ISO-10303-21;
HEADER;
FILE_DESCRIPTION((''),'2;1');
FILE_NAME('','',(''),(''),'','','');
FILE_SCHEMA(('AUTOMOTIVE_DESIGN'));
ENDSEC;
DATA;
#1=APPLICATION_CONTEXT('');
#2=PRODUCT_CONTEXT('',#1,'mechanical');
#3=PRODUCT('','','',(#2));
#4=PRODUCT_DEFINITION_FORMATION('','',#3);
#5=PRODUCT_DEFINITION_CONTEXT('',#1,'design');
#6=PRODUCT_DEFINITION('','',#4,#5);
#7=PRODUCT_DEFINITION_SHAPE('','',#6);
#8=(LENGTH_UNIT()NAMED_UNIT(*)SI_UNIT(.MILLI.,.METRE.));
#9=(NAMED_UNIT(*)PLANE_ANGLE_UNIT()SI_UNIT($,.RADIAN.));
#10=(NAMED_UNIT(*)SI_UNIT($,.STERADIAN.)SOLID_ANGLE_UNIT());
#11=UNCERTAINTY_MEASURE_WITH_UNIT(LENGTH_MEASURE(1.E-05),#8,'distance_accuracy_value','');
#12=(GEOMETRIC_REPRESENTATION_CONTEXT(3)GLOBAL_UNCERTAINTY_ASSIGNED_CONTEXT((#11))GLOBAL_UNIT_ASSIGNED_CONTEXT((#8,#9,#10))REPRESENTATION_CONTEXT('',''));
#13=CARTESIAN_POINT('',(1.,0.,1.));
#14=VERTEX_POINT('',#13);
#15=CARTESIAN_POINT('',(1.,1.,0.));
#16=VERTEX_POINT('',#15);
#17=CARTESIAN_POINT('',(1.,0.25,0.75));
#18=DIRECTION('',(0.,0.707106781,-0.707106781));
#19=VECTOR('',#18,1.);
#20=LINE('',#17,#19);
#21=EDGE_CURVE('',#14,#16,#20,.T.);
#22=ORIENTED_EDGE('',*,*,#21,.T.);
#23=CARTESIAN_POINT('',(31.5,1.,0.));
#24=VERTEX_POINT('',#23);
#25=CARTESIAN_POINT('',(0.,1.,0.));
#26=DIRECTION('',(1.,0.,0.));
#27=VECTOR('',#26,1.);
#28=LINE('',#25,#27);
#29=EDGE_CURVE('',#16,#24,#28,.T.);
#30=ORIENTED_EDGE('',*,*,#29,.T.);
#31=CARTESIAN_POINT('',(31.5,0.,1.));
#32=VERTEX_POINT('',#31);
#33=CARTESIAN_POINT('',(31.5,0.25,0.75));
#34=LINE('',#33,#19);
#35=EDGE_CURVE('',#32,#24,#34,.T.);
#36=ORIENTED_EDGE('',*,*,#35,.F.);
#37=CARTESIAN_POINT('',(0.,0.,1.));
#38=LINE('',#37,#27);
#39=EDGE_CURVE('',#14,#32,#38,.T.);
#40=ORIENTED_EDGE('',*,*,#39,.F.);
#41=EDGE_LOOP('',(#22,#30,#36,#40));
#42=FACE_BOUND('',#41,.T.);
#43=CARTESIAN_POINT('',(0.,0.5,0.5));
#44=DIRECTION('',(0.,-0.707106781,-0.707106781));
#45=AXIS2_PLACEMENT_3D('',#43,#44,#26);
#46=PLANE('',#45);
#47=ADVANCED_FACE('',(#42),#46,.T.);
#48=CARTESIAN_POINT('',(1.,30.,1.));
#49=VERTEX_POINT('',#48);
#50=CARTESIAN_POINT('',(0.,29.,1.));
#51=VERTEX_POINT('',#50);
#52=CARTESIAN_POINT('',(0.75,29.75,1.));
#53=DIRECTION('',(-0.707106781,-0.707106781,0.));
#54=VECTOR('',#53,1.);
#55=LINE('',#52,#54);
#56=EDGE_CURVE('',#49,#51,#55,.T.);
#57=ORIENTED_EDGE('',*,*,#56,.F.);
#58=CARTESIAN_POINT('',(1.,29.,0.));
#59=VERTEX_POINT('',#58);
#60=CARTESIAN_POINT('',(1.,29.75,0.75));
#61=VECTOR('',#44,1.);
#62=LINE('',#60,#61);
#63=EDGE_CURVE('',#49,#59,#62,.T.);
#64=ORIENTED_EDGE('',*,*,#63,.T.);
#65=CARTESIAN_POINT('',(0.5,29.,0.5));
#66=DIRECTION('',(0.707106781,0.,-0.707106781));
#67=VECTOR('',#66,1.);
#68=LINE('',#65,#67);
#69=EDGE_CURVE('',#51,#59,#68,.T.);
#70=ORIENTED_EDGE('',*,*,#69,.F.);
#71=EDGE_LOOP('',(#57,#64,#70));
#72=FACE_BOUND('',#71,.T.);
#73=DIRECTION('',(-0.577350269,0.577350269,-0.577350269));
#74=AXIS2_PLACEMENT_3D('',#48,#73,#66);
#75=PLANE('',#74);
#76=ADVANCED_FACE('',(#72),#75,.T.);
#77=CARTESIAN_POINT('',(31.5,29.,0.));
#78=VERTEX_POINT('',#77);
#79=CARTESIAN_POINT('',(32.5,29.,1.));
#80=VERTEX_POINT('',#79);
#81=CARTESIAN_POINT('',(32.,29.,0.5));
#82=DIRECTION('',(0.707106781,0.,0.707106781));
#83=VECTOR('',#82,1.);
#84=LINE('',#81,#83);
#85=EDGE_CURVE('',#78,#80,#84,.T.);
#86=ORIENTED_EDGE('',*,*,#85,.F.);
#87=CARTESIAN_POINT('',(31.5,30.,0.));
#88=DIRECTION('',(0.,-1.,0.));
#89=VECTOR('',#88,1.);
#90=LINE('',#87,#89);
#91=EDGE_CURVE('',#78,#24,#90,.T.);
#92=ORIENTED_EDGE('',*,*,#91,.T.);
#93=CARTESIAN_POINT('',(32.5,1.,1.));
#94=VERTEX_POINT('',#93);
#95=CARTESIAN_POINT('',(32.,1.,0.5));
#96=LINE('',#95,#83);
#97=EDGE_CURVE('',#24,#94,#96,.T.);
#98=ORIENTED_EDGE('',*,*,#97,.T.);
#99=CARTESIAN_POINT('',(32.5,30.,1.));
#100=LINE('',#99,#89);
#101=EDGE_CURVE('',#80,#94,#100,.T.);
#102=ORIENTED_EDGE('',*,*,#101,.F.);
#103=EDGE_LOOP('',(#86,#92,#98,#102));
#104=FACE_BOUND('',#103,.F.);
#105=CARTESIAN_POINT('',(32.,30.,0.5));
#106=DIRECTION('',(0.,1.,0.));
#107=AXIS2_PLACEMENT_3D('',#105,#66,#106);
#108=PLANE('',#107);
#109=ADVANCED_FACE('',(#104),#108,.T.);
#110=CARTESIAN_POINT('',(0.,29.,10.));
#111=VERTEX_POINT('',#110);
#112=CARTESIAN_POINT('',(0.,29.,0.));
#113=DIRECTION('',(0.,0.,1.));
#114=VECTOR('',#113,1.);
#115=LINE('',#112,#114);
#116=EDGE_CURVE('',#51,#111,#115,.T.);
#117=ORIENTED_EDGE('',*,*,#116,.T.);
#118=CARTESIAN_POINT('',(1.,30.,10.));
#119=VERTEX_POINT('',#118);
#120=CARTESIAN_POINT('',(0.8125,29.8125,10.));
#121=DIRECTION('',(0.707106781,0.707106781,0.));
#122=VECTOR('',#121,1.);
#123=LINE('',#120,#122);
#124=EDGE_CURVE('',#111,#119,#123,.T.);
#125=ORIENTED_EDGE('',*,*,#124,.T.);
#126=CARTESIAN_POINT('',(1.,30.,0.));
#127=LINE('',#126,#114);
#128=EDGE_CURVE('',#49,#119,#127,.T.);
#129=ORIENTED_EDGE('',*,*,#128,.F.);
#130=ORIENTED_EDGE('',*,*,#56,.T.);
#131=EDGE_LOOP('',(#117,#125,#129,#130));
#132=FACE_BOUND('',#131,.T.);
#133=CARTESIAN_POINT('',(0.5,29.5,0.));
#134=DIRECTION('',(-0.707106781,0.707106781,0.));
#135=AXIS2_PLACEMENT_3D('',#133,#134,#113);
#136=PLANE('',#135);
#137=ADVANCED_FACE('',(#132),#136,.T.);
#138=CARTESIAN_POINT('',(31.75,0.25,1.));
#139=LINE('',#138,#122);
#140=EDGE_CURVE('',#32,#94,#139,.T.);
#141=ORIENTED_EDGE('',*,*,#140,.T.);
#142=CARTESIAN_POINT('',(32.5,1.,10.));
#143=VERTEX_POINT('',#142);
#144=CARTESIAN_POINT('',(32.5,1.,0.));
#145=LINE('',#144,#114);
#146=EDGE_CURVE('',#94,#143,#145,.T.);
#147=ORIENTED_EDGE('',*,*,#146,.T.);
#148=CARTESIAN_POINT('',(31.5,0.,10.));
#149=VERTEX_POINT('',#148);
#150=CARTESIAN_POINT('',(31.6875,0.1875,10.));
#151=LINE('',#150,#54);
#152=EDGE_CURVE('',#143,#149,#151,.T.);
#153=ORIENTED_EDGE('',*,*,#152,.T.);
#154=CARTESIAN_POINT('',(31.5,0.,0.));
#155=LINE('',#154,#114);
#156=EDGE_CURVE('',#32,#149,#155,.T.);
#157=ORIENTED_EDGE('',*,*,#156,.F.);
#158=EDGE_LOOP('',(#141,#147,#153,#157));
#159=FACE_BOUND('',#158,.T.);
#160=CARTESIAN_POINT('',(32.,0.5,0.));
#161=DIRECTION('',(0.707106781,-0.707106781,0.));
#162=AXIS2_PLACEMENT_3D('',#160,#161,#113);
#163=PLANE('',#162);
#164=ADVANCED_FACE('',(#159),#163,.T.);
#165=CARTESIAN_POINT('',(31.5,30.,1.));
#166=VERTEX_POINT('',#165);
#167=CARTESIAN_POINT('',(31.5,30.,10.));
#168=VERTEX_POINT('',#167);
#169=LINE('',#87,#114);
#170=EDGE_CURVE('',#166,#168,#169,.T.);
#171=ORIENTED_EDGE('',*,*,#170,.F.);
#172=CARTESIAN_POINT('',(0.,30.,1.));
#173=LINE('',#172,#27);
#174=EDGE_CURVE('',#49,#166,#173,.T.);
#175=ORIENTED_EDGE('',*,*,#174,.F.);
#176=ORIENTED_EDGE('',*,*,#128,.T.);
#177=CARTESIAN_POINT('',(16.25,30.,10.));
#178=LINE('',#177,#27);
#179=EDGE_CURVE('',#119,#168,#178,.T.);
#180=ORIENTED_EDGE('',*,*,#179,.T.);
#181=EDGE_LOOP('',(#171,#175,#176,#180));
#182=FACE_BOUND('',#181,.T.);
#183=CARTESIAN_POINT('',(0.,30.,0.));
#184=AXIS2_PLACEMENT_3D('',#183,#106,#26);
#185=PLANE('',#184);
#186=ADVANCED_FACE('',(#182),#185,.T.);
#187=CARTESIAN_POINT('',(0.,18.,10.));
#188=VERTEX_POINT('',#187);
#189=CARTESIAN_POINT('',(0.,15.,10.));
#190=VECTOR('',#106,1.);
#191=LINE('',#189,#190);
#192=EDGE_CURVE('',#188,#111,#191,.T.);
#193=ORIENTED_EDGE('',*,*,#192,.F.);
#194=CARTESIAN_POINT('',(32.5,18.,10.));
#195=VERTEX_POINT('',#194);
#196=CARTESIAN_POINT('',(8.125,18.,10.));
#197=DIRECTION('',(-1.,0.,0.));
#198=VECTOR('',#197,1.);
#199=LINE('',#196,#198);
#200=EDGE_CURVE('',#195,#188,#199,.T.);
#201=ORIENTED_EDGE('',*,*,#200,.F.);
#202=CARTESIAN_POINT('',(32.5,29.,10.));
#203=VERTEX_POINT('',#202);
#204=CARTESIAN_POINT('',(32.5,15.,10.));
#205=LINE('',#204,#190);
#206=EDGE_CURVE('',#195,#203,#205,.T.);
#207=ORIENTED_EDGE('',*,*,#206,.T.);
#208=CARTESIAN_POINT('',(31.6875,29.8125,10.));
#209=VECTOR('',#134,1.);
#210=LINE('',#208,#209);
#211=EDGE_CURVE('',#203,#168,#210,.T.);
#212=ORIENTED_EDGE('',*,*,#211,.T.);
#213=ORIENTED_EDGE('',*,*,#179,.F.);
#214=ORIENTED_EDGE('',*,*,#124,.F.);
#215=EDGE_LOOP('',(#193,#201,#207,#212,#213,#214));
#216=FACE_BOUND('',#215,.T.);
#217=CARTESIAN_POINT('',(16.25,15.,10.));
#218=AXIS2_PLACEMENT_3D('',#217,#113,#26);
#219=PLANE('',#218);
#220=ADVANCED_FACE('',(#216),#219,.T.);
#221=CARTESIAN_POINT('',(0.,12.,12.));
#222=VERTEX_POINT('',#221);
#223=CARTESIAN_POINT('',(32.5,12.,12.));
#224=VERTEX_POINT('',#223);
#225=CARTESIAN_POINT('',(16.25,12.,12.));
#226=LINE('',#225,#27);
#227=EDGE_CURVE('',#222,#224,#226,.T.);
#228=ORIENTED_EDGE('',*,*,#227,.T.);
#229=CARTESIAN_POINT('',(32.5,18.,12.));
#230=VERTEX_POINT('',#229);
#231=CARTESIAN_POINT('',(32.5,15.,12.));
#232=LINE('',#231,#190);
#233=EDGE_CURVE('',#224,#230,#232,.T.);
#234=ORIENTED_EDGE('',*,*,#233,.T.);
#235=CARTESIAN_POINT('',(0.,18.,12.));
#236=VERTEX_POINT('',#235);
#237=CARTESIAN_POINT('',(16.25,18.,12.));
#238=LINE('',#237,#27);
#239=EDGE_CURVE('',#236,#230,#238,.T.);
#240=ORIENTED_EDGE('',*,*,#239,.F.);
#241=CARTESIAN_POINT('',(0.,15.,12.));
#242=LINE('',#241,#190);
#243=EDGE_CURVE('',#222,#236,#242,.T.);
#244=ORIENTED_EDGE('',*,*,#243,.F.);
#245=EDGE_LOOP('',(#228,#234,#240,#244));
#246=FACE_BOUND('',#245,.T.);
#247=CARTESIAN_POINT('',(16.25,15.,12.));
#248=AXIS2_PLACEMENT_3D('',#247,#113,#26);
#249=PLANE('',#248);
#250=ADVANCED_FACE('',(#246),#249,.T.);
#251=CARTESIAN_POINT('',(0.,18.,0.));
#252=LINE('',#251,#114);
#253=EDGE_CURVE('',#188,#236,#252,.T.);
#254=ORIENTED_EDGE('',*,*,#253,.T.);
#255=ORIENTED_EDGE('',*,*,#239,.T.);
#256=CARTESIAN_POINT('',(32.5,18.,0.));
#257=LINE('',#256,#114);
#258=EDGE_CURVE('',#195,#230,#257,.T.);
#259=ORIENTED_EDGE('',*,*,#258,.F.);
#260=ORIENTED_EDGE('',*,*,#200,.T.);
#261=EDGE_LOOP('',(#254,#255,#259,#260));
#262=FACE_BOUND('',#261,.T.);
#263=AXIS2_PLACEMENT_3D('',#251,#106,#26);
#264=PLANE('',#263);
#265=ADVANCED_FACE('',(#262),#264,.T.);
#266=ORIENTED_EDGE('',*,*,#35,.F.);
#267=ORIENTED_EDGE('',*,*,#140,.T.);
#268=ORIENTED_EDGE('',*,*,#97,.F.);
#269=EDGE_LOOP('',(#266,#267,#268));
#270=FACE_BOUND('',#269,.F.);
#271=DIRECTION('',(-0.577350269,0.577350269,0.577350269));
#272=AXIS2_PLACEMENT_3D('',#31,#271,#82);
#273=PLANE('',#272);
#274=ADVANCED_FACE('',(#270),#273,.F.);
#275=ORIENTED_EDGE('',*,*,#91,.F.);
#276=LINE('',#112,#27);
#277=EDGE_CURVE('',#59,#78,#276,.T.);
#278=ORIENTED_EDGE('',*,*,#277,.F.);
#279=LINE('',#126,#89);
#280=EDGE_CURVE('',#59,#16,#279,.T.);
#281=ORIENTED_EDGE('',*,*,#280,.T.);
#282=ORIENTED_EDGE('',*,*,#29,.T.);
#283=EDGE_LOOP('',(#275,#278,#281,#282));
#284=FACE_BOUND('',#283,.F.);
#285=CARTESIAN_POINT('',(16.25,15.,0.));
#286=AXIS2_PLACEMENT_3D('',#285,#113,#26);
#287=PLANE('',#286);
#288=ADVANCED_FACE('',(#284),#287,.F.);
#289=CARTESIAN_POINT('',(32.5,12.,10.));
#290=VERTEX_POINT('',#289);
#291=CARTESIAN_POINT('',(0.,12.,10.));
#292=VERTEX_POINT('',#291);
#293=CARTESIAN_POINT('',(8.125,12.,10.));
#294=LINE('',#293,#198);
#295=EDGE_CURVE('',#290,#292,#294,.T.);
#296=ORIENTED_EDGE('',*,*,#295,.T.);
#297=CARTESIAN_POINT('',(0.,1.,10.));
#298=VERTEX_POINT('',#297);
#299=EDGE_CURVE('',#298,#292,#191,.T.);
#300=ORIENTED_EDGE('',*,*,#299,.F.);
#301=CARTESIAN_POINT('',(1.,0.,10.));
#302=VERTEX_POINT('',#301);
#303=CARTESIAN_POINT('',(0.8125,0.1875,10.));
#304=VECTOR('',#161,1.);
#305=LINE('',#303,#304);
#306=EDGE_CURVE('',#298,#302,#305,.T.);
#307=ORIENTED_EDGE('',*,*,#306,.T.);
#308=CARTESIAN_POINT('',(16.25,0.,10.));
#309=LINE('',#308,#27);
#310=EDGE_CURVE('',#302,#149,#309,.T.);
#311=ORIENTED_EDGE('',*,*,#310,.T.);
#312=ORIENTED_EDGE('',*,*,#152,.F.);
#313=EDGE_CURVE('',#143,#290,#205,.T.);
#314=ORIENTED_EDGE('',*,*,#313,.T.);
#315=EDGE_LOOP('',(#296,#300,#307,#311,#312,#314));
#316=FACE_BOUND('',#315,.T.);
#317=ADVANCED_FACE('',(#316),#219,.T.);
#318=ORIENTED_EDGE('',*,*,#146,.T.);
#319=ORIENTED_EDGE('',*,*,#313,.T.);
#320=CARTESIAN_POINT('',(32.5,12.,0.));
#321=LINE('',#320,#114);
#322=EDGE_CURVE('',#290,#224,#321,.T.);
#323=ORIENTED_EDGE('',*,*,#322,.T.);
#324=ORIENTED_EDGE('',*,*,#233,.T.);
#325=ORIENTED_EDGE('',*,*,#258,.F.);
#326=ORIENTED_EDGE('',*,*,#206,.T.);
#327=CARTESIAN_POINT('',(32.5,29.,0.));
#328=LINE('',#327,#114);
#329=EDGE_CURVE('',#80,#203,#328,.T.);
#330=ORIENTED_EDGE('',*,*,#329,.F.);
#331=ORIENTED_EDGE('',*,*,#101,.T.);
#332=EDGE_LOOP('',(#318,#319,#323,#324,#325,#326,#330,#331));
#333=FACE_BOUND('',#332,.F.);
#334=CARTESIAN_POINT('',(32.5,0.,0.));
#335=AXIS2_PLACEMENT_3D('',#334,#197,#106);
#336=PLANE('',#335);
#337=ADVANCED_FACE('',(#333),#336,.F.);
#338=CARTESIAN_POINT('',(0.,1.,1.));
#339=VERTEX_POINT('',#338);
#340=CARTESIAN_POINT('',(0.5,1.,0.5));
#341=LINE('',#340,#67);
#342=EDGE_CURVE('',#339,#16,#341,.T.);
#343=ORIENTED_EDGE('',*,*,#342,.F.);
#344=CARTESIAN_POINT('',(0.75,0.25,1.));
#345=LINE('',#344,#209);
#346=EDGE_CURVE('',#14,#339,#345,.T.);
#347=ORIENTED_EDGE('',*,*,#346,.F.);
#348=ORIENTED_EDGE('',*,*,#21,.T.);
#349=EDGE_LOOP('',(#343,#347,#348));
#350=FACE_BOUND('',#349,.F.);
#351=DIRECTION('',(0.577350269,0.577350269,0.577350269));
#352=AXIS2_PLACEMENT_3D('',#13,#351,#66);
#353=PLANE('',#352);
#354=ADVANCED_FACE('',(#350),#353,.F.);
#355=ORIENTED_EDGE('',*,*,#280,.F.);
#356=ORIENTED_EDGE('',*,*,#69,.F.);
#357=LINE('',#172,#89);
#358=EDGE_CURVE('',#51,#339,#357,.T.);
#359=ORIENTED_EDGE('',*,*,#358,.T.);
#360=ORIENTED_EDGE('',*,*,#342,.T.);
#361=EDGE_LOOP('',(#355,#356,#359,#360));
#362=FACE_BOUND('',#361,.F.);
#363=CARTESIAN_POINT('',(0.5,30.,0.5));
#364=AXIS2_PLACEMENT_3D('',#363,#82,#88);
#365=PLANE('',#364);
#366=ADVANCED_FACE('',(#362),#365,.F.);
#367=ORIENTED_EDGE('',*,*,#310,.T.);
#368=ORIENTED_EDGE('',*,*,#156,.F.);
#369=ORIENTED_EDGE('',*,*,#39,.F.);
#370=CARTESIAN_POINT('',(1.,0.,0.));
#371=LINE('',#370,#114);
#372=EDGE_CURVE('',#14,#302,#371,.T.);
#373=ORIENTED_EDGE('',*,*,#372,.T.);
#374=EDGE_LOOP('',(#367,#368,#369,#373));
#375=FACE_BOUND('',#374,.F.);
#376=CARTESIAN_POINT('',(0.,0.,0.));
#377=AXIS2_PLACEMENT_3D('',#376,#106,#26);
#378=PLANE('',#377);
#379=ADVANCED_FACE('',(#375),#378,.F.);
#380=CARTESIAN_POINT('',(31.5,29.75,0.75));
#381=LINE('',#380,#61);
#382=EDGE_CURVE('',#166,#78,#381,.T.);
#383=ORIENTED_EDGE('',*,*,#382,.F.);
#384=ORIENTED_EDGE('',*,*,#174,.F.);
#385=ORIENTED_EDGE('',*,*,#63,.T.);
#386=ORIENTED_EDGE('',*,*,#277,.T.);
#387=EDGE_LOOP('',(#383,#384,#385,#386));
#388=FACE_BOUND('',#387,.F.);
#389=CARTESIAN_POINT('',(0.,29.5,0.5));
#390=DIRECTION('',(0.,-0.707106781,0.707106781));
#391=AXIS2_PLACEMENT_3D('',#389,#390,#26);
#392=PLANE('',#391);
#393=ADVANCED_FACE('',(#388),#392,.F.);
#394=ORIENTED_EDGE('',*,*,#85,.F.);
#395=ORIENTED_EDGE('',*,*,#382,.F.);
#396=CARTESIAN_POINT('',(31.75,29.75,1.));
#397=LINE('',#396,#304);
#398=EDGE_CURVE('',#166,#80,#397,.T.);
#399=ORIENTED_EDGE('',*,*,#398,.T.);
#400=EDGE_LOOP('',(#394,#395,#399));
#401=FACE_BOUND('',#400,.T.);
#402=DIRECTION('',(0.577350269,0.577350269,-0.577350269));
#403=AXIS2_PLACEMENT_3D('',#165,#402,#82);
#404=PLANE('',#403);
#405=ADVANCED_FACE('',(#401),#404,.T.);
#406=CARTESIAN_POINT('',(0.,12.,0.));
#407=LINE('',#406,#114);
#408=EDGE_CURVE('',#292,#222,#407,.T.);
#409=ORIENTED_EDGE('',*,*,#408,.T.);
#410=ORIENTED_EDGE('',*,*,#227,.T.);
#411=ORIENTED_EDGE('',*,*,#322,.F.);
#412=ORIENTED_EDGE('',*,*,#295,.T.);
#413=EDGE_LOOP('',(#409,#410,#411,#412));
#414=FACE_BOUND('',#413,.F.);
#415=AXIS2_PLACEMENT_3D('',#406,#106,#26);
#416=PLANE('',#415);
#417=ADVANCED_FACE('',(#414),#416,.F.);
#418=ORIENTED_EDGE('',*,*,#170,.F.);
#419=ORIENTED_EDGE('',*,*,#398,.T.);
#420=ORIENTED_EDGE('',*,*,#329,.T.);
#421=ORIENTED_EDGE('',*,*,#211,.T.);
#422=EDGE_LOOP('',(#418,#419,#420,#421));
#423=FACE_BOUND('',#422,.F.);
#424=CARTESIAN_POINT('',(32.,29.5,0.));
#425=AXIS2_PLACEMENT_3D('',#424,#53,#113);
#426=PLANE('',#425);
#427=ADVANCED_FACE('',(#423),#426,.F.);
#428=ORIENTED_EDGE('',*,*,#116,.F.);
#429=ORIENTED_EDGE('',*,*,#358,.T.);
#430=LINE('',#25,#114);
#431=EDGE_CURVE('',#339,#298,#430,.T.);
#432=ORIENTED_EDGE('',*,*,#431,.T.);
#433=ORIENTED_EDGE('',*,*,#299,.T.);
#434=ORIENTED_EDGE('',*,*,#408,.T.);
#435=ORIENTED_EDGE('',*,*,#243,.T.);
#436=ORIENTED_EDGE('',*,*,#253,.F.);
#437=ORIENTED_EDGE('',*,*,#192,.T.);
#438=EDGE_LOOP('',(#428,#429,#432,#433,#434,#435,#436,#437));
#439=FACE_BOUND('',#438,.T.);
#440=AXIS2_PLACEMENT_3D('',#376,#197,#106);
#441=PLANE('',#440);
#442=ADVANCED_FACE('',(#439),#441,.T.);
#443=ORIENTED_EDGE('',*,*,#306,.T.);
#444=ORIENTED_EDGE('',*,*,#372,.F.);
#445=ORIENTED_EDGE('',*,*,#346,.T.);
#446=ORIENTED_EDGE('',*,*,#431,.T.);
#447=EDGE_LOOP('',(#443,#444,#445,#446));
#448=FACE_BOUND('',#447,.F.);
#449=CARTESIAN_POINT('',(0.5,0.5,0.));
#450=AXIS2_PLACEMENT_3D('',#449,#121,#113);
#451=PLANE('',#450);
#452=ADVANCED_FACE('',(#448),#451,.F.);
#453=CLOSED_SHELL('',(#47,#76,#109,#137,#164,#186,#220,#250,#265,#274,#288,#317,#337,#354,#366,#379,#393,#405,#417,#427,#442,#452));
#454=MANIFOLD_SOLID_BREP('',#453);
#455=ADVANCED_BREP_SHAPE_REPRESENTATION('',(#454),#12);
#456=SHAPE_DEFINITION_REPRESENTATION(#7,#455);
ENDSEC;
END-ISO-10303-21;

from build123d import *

# Parameters (mm, degrees)
BOX006_W        = 32.5
BOX006_H        = 6
BOX006_DEPTH    = 12
BOX007_W        = 32.5
BOX007_H        = 30
BOX007_DEPTH    = 10
CHAMFER003_SIZE = 1


with BuildPart() as cube006:
    # Box006 → Box006 (new body)
    with BuildSketch(Plane(origin=(0, 12, 0), x_dir=(1, 0, 0), z_dir=(0, 0, 1))):
        with Locations((16.25, 3)):
            Rectangle(BOX006_W, BOX006_H)
    extrude(amount=BOX006_DEPTH)


with BuildPart() as f_325_spacer:
    # Box007 → Box007 (new body)
    with BuildSketch(Plane.XY):
        with Locations((16.25, 15)):
            Rectangle(BOX007_W, BOX007_H)
    extrude(amount=BOX007_DEPTH)

    # Fusion002002: union Cube006
    add(cube006.part)

    # Chamfer003
    chamfer003_edges = [f_325_spacer.edges().sort_by_distance(p)[0] for p in [
        (0, 6, 0),
        (0, 0, 5),
        (0, 15, 0),
        (32.5, 6, 0),
        (16.25, 0, 0),
        (32.5, 0, 5),
        (0, 30, 5),
        (0, 24, 0),
        (32.5, 15, 0),
        (16.25, 30, 0),
        (32.5, 30, 5),
        (32.5, 24, 0),
    ]]
    chamfer(chamfer003_edges, length=CHAMFER003_SIZE)


solid = f_325_spacer.part
